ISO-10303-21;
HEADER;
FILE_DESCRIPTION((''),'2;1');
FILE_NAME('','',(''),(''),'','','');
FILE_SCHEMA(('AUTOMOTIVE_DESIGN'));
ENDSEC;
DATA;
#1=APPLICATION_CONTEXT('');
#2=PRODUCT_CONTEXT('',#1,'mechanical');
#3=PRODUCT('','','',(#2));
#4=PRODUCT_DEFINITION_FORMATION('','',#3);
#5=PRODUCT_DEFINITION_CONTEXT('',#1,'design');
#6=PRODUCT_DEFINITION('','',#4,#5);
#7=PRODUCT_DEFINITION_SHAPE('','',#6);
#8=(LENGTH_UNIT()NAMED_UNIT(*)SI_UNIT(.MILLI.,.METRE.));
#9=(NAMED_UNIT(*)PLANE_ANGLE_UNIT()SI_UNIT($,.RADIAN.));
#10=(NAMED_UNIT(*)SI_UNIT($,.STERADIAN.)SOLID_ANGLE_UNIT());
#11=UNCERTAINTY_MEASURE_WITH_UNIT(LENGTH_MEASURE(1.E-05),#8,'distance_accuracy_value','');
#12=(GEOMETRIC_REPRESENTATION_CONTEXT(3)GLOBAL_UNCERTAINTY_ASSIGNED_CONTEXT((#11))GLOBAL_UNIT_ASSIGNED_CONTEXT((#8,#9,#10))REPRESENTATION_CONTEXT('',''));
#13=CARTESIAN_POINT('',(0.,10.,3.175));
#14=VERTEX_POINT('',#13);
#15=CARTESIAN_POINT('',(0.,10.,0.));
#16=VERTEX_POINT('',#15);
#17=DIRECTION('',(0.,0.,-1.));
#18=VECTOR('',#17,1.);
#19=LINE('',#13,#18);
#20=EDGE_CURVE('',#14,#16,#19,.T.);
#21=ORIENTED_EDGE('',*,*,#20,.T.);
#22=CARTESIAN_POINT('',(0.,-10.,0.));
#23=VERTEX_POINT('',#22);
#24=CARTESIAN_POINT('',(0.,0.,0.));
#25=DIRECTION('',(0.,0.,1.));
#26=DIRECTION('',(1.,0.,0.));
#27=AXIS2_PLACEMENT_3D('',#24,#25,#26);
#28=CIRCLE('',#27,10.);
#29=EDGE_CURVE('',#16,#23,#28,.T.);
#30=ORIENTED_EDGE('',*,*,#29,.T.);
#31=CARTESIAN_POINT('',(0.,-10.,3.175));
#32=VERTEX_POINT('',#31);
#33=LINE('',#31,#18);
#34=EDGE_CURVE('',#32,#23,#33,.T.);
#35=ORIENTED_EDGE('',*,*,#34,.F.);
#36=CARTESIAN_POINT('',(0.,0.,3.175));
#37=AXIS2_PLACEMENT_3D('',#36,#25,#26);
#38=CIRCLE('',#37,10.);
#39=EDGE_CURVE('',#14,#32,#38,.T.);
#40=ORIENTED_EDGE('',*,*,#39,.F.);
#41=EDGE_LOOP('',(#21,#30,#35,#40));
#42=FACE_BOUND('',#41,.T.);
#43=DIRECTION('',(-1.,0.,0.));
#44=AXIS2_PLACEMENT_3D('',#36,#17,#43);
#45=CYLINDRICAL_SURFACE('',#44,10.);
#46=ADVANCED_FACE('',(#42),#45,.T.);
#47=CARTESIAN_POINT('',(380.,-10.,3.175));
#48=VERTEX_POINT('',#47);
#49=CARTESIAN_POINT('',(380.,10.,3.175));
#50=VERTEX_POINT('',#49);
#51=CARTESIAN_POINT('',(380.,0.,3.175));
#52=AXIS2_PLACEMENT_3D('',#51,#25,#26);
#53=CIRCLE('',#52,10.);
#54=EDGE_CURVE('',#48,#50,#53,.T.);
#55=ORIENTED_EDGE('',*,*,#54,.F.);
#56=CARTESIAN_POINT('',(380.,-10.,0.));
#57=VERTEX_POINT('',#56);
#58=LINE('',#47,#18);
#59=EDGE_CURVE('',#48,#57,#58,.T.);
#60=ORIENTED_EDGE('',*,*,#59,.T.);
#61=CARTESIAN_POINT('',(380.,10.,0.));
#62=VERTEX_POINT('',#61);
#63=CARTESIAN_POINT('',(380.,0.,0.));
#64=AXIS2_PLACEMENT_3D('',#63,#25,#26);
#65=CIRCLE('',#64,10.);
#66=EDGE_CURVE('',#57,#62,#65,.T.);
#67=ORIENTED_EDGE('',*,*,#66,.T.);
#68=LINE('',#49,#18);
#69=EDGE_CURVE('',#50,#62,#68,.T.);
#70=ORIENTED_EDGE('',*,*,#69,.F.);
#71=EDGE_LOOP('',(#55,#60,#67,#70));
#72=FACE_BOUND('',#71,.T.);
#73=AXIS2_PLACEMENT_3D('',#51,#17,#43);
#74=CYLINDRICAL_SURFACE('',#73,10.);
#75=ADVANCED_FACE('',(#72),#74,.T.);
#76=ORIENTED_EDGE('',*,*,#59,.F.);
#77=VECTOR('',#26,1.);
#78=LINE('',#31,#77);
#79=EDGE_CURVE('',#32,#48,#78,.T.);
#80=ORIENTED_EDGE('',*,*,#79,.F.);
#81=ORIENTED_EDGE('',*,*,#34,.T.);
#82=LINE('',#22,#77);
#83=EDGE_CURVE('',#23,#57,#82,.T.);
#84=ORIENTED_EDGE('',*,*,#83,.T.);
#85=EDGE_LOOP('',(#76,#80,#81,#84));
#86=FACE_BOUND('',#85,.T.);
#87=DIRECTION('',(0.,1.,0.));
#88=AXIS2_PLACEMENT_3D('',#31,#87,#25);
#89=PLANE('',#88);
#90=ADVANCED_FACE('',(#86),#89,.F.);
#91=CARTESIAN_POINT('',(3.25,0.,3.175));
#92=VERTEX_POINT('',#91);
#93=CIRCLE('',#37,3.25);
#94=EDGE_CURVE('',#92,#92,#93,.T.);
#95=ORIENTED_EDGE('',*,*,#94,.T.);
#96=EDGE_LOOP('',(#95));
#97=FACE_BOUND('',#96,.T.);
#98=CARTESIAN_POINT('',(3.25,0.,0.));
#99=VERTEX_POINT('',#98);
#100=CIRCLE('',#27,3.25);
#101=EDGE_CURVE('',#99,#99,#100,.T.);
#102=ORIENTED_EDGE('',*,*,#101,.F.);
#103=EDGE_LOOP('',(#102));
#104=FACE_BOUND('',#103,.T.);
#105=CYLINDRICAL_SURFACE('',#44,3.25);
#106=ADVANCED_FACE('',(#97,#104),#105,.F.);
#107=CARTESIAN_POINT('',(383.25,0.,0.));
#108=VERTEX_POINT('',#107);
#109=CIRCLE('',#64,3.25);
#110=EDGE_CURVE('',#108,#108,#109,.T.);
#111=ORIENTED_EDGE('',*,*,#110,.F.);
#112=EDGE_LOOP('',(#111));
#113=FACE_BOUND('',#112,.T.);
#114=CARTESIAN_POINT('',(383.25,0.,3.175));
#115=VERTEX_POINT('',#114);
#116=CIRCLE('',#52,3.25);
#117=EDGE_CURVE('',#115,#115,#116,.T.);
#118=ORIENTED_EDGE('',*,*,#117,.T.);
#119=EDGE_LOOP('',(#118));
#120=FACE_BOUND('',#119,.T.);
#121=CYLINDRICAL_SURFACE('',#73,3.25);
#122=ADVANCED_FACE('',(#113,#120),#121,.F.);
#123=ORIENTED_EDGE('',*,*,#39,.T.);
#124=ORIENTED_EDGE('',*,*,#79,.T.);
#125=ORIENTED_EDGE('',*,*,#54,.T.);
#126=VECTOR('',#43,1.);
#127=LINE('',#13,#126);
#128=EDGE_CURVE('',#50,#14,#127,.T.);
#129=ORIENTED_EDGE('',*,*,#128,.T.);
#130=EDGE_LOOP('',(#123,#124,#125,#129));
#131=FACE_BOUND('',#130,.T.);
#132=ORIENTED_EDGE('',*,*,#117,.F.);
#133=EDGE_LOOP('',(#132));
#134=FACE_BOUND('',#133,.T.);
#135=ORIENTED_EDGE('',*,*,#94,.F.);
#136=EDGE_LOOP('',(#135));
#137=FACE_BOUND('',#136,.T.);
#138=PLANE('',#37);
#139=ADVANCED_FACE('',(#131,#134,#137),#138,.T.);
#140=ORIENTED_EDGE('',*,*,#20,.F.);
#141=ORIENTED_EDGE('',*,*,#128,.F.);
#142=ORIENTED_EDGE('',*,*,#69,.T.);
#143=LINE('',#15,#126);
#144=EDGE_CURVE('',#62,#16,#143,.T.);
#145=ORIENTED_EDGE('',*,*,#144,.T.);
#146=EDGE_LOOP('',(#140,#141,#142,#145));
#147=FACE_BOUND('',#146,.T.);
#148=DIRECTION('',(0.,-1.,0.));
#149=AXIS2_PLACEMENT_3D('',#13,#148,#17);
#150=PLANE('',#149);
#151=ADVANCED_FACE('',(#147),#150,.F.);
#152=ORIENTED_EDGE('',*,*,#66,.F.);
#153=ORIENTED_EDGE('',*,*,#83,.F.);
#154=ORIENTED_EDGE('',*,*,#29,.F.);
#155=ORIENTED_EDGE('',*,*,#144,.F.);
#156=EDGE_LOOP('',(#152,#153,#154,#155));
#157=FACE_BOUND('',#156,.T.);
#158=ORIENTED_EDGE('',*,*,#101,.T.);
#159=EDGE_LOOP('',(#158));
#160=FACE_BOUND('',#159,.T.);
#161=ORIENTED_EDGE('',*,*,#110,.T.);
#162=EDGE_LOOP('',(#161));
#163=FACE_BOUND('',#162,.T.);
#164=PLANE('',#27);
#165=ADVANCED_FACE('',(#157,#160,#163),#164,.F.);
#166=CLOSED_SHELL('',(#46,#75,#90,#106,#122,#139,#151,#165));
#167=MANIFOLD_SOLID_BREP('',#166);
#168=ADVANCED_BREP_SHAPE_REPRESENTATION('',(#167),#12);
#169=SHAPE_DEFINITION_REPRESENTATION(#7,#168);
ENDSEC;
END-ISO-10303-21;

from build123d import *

# Parameters (mm, degrees)
SKETCH1_R           = 3.25
BOSS_EXTRUDE1_DEPTH = 3.175


with BuildPart() as part:
    # Sketch1 → Boss-Extrude1 (new body)
    with BuildSketch(Plane.XY):
        with BuildLine():
            Line((0, 10), (380, 10))
            ThreePointArc((380, 10), (390, 0), (380, -10))
            Line((380, -10), (0, -10))
            ThreePointArc((0, -10), (-10, 0), (0, 10))
        make_face()
        Circle(SKETCH1_R, mode=Mode.SUBTRACT)
        with Locations((380, 0)):
            Circle(SKETCH1_R, mode=Mode.SUBTRACT)
    extrude(amount=BOSS_EXTRUDE1_DEPTH)


solid = part.part
